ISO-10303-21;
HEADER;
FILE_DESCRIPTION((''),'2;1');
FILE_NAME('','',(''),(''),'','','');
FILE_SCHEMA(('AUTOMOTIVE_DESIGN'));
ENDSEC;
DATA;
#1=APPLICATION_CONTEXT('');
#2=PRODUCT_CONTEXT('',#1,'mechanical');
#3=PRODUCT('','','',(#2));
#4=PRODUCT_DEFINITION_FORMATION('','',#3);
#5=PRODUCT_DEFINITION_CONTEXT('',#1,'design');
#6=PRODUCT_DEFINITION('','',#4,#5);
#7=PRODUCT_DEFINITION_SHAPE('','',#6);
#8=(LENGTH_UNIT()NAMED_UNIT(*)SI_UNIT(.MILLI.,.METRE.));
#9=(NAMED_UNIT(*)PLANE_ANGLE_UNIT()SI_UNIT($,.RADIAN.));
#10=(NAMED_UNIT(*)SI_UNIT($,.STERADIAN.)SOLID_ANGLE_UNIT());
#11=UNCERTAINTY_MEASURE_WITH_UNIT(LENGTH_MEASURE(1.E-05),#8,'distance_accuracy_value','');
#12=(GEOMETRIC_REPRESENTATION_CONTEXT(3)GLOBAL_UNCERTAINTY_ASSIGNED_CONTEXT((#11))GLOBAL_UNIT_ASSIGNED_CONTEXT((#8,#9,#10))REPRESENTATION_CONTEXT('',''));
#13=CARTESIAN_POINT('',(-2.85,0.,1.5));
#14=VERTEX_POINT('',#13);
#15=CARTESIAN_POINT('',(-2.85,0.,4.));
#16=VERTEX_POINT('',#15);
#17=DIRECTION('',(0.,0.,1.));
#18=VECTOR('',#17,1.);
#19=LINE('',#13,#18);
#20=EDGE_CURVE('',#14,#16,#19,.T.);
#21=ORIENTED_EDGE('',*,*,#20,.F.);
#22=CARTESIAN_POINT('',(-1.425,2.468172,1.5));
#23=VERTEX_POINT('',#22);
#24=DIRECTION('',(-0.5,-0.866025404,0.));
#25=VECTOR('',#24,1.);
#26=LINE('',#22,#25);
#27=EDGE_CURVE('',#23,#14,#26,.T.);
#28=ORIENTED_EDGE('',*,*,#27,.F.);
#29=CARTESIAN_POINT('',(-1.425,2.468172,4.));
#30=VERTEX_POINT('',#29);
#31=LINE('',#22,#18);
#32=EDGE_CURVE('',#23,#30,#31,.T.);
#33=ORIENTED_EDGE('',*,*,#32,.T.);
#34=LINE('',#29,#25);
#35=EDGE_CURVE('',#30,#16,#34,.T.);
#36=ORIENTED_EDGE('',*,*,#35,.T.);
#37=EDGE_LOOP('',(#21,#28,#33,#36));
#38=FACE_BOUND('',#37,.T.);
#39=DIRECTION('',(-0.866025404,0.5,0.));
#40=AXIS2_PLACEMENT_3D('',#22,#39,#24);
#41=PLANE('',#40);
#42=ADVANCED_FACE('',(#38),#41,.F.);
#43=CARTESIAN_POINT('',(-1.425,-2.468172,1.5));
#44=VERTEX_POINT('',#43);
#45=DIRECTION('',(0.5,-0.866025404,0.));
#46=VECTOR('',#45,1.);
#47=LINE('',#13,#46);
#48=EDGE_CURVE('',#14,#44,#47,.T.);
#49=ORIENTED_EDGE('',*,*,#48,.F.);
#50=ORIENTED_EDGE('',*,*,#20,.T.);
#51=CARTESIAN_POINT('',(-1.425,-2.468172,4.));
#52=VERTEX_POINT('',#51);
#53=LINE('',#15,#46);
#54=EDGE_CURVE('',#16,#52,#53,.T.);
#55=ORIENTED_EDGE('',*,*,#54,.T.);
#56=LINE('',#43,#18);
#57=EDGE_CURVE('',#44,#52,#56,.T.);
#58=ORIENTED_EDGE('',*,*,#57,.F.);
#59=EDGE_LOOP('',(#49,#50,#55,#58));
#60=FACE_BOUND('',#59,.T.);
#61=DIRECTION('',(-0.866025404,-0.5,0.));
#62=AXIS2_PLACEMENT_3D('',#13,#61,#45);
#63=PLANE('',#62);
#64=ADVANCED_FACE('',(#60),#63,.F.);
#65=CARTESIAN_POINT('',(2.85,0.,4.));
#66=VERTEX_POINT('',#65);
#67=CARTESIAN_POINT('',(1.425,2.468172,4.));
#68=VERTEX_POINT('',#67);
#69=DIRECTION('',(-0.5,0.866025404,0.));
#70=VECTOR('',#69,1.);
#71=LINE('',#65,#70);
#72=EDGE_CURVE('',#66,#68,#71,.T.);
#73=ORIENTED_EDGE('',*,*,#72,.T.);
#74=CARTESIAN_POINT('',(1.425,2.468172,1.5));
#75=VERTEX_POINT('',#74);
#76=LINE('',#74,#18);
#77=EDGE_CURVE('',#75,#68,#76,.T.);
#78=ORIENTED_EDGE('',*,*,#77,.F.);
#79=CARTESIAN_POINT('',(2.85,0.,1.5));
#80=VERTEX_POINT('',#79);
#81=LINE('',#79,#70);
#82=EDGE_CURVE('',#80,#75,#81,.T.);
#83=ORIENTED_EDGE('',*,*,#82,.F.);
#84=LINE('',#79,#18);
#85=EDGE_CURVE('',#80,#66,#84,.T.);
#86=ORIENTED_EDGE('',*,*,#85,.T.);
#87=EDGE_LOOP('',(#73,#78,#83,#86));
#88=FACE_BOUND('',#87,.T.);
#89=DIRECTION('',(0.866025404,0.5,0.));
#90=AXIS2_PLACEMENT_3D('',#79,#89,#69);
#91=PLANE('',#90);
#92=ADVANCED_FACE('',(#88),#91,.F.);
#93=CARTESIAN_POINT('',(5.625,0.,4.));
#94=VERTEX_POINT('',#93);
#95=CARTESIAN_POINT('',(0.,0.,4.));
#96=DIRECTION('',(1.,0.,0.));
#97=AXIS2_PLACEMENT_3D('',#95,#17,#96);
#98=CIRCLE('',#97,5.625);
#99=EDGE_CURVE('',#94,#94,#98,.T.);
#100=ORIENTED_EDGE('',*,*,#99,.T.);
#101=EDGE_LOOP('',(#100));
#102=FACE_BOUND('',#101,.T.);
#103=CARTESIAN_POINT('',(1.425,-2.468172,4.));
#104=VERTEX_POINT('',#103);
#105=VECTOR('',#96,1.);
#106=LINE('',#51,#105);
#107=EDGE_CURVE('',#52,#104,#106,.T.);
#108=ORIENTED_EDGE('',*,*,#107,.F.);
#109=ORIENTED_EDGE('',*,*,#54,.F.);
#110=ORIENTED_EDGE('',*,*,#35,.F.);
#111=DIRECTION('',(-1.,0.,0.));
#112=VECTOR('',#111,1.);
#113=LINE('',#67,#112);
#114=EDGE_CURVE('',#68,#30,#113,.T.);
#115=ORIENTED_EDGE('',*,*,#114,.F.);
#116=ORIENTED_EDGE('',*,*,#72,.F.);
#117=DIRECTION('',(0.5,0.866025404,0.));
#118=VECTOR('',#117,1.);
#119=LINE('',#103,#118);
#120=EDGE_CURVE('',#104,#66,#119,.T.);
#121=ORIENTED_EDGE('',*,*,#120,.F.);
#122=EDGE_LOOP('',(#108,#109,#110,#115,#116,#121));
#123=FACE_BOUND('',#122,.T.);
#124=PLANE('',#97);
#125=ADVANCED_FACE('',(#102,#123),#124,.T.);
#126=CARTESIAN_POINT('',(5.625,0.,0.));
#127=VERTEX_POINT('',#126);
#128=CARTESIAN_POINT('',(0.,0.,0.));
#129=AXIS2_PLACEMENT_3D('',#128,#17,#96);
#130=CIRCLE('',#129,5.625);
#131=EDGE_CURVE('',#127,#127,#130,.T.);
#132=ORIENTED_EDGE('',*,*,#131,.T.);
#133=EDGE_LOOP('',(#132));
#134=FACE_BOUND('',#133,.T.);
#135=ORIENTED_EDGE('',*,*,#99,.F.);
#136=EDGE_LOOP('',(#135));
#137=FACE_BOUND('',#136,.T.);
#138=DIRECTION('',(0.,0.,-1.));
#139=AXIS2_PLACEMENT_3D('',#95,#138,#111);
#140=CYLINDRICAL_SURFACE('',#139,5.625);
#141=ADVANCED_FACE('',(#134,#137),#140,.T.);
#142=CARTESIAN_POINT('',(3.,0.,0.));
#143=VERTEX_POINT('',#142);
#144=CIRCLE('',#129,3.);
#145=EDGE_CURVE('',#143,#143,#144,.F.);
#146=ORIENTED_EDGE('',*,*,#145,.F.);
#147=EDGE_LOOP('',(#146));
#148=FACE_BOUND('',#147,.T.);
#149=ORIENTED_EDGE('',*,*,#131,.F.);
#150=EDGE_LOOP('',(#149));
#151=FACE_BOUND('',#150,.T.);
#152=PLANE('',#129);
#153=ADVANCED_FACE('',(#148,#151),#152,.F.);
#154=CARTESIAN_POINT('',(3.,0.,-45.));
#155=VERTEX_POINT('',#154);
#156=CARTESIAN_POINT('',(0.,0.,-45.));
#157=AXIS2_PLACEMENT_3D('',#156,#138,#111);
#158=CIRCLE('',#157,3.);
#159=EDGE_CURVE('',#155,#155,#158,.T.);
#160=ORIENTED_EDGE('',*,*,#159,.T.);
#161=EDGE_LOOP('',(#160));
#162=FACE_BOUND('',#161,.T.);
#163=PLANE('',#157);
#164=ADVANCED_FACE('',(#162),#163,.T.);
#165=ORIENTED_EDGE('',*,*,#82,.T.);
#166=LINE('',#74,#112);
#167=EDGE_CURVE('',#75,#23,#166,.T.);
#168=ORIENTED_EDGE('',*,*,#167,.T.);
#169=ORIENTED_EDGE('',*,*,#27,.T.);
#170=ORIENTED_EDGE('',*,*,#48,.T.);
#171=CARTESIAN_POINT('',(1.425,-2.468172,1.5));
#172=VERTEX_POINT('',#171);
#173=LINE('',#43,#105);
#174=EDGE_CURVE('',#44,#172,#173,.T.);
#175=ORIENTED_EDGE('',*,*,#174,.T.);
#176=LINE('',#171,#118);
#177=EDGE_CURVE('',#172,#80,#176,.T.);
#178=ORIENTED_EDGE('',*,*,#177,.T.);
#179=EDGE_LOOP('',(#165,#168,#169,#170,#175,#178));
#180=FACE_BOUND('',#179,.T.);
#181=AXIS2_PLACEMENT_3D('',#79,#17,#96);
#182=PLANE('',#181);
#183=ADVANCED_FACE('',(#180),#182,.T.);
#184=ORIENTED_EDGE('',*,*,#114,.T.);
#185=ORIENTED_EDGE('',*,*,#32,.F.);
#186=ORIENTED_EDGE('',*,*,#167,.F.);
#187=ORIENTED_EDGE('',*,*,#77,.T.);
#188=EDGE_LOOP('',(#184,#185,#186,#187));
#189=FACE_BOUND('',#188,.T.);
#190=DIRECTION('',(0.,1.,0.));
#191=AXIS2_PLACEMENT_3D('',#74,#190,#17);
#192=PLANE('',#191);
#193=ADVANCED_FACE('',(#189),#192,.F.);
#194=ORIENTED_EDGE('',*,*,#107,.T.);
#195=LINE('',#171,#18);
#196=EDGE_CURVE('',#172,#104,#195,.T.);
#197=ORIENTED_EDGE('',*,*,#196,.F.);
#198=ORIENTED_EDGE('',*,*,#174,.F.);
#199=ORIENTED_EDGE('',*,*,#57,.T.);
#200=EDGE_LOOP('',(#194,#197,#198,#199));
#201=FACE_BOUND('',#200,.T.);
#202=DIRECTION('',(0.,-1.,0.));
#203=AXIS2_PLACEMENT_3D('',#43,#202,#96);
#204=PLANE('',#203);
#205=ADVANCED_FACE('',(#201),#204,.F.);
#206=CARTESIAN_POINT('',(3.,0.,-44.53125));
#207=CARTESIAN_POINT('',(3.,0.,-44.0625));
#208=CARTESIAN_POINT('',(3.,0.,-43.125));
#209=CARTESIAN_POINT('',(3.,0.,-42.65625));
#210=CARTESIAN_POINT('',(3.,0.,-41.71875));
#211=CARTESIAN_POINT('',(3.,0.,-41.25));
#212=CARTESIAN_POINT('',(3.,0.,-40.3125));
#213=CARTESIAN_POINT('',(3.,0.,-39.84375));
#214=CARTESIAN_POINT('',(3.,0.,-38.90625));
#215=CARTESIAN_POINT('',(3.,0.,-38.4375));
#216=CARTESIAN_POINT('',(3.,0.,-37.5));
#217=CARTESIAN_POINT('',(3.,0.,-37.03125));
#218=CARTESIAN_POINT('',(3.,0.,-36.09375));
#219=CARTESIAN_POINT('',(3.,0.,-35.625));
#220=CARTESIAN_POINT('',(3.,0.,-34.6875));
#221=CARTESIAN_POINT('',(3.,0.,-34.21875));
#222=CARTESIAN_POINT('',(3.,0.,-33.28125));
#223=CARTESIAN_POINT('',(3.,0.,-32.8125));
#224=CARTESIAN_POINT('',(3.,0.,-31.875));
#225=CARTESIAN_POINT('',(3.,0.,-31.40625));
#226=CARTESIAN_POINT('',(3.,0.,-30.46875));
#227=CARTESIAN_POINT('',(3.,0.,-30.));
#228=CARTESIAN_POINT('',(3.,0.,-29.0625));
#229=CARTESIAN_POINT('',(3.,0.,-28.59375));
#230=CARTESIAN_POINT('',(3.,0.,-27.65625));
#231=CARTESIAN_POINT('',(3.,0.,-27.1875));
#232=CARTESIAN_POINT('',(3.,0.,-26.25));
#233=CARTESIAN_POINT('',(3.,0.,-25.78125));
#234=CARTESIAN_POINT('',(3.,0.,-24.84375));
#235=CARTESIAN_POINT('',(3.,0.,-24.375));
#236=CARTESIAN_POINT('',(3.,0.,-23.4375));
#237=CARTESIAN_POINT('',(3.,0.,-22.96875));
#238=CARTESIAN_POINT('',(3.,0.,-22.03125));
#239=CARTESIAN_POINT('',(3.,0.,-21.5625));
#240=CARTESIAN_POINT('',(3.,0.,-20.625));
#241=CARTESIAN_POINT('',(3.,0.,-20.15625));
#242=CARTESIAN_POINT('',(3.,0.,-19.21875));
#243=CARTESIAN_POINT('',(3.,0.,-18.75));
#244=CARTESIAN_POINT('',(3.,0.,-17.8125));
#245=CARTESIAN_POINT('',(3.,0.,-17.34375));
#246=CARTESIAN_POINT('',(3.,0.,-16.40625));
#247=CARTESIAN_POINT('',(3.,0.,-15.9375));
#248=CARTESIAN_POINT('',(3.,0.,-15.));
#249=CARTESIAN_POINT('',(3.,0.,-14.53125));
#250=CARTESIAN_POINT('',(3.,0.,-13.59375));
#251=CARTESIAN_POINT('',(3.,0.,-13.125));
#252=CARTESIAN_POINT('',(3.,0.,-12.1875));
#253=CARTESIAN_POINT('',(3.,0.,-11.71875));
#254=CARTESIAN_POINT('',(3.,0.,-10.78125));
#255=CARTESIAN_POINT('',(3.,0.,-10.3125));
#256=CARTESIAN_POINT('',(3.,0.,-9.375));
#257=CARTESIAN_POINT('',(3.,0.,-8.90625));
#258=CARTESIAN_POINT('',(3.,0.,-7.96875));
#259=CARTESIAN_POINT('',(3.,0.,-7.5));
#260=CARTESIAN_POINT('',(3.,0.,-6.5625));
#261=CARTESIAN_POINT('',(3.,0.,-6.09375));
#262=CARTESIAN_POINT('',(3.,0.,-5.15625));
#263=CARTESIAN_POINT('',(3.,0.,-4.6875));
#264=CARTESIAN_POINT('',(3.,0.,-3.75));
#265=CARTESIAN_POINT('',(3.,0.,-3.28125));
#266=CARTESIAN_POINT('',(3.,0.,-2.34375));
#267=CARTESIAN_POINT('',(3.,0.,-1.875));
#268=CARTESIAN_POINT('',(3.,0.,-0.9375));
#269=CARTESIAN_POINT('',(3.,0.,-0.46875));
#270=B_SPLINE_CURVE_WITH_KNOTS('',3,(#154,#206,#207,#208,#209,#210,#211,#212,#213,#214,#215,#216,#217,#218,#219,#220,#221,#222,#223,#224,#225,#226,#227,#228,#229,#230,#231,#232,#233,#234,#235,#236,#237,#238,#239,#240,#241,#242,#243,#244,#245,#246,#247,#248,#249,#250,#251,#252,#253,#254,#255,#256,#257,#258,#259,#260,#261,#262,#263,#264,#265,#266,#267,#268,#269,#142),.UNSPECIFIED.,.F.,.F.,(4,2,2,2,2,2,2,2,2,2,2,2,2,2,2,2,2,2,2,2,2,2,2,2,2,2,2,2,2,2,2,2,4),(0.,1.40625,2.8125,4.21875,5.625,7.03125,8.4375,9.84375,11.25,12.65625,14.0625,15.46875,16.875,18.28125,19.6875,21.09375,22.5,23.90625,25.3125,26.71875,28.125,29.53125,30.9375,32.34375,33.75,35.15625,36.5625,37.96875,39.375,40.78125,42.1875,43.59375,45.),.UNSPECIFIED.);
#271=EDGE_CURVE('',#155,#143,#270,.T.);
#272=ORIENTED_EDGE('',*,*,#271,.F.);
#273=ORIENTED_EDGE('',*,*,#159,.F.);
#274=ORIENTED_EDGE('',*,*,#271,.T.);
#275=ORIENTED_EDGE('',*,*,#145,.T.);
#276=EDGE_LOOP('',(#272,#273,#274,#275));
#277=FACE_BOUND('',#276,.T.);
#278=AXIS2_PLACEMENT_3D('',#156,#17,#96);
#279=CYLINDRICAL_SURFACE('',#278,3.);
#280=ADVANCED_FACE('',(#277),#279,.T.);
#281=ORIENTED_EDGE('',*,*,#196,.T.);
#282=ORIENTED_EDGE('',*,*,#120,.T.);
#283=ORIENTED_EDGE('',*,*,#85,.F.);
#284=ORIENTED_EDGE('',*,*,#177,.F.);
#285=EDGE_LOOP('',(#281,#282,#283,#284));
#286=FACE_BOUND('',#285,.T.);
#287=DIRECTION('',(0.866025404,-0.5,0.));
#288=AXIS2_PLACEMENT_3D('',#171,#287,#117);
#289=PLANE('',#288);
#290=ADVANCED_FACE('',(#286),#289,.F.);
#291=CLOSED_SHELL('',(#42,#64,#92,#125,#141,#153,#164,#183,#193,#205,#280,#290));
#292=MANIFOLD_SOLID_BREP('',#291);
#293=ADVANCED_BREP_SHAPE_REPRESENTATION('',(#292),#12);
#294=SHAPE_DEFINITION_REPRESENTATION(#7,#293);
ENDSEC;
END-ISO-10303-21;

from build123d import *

# Parameters (mm, degrees)
ESBO_O1_R                = 5.625
RESSALTO_EXTRUS_O1_DEPTH = 4
CORTE_EXTRUS_O1_DEPTH    = 2.5
ESBO_O3_R                = 3
RESSALTO_EXTRUS_O2_DEPTH = 45


with BuildPart() as part:
    # Esboço1 → Ressalto-extrusão1 (new body)
    with BuildSketch(Plane.XY):
        Circle(ESBO_O1_R)
    extrude(amount=RESSALTO_EXTRUS_O1_DEPTH)

    # Esboço2 → Corte-extrusão1 (cut)
    with BuildSketch(Plane.XY.offset(4)):
        Polygon((2.85, 0), (1.425, 2.468172401), (-1.425, 2.468172401), (-2.85, 0), (-1.425, -2.468172401), (1.425, -2.468172401), align=None)
    extrude(amount=-CORTE_EXTRUS_O1_DEPTH, mode=Mode.SUBTRACT)

    # Esboço3 → Ressalto-extrusão2 (add)
    with BuildSketch(Plane(origin=(0, 0, 0), x_dir=(-1, 0, 0), z_dir=(0, 0, -1))):
        with Locations(Location((0, 0, 0), (0, 0, 180))):
            Circle(ESBO_O3_R)
    extrude(amount=RESSALTO_EXTRUS_O2_DEPTH)


solid = part.part
